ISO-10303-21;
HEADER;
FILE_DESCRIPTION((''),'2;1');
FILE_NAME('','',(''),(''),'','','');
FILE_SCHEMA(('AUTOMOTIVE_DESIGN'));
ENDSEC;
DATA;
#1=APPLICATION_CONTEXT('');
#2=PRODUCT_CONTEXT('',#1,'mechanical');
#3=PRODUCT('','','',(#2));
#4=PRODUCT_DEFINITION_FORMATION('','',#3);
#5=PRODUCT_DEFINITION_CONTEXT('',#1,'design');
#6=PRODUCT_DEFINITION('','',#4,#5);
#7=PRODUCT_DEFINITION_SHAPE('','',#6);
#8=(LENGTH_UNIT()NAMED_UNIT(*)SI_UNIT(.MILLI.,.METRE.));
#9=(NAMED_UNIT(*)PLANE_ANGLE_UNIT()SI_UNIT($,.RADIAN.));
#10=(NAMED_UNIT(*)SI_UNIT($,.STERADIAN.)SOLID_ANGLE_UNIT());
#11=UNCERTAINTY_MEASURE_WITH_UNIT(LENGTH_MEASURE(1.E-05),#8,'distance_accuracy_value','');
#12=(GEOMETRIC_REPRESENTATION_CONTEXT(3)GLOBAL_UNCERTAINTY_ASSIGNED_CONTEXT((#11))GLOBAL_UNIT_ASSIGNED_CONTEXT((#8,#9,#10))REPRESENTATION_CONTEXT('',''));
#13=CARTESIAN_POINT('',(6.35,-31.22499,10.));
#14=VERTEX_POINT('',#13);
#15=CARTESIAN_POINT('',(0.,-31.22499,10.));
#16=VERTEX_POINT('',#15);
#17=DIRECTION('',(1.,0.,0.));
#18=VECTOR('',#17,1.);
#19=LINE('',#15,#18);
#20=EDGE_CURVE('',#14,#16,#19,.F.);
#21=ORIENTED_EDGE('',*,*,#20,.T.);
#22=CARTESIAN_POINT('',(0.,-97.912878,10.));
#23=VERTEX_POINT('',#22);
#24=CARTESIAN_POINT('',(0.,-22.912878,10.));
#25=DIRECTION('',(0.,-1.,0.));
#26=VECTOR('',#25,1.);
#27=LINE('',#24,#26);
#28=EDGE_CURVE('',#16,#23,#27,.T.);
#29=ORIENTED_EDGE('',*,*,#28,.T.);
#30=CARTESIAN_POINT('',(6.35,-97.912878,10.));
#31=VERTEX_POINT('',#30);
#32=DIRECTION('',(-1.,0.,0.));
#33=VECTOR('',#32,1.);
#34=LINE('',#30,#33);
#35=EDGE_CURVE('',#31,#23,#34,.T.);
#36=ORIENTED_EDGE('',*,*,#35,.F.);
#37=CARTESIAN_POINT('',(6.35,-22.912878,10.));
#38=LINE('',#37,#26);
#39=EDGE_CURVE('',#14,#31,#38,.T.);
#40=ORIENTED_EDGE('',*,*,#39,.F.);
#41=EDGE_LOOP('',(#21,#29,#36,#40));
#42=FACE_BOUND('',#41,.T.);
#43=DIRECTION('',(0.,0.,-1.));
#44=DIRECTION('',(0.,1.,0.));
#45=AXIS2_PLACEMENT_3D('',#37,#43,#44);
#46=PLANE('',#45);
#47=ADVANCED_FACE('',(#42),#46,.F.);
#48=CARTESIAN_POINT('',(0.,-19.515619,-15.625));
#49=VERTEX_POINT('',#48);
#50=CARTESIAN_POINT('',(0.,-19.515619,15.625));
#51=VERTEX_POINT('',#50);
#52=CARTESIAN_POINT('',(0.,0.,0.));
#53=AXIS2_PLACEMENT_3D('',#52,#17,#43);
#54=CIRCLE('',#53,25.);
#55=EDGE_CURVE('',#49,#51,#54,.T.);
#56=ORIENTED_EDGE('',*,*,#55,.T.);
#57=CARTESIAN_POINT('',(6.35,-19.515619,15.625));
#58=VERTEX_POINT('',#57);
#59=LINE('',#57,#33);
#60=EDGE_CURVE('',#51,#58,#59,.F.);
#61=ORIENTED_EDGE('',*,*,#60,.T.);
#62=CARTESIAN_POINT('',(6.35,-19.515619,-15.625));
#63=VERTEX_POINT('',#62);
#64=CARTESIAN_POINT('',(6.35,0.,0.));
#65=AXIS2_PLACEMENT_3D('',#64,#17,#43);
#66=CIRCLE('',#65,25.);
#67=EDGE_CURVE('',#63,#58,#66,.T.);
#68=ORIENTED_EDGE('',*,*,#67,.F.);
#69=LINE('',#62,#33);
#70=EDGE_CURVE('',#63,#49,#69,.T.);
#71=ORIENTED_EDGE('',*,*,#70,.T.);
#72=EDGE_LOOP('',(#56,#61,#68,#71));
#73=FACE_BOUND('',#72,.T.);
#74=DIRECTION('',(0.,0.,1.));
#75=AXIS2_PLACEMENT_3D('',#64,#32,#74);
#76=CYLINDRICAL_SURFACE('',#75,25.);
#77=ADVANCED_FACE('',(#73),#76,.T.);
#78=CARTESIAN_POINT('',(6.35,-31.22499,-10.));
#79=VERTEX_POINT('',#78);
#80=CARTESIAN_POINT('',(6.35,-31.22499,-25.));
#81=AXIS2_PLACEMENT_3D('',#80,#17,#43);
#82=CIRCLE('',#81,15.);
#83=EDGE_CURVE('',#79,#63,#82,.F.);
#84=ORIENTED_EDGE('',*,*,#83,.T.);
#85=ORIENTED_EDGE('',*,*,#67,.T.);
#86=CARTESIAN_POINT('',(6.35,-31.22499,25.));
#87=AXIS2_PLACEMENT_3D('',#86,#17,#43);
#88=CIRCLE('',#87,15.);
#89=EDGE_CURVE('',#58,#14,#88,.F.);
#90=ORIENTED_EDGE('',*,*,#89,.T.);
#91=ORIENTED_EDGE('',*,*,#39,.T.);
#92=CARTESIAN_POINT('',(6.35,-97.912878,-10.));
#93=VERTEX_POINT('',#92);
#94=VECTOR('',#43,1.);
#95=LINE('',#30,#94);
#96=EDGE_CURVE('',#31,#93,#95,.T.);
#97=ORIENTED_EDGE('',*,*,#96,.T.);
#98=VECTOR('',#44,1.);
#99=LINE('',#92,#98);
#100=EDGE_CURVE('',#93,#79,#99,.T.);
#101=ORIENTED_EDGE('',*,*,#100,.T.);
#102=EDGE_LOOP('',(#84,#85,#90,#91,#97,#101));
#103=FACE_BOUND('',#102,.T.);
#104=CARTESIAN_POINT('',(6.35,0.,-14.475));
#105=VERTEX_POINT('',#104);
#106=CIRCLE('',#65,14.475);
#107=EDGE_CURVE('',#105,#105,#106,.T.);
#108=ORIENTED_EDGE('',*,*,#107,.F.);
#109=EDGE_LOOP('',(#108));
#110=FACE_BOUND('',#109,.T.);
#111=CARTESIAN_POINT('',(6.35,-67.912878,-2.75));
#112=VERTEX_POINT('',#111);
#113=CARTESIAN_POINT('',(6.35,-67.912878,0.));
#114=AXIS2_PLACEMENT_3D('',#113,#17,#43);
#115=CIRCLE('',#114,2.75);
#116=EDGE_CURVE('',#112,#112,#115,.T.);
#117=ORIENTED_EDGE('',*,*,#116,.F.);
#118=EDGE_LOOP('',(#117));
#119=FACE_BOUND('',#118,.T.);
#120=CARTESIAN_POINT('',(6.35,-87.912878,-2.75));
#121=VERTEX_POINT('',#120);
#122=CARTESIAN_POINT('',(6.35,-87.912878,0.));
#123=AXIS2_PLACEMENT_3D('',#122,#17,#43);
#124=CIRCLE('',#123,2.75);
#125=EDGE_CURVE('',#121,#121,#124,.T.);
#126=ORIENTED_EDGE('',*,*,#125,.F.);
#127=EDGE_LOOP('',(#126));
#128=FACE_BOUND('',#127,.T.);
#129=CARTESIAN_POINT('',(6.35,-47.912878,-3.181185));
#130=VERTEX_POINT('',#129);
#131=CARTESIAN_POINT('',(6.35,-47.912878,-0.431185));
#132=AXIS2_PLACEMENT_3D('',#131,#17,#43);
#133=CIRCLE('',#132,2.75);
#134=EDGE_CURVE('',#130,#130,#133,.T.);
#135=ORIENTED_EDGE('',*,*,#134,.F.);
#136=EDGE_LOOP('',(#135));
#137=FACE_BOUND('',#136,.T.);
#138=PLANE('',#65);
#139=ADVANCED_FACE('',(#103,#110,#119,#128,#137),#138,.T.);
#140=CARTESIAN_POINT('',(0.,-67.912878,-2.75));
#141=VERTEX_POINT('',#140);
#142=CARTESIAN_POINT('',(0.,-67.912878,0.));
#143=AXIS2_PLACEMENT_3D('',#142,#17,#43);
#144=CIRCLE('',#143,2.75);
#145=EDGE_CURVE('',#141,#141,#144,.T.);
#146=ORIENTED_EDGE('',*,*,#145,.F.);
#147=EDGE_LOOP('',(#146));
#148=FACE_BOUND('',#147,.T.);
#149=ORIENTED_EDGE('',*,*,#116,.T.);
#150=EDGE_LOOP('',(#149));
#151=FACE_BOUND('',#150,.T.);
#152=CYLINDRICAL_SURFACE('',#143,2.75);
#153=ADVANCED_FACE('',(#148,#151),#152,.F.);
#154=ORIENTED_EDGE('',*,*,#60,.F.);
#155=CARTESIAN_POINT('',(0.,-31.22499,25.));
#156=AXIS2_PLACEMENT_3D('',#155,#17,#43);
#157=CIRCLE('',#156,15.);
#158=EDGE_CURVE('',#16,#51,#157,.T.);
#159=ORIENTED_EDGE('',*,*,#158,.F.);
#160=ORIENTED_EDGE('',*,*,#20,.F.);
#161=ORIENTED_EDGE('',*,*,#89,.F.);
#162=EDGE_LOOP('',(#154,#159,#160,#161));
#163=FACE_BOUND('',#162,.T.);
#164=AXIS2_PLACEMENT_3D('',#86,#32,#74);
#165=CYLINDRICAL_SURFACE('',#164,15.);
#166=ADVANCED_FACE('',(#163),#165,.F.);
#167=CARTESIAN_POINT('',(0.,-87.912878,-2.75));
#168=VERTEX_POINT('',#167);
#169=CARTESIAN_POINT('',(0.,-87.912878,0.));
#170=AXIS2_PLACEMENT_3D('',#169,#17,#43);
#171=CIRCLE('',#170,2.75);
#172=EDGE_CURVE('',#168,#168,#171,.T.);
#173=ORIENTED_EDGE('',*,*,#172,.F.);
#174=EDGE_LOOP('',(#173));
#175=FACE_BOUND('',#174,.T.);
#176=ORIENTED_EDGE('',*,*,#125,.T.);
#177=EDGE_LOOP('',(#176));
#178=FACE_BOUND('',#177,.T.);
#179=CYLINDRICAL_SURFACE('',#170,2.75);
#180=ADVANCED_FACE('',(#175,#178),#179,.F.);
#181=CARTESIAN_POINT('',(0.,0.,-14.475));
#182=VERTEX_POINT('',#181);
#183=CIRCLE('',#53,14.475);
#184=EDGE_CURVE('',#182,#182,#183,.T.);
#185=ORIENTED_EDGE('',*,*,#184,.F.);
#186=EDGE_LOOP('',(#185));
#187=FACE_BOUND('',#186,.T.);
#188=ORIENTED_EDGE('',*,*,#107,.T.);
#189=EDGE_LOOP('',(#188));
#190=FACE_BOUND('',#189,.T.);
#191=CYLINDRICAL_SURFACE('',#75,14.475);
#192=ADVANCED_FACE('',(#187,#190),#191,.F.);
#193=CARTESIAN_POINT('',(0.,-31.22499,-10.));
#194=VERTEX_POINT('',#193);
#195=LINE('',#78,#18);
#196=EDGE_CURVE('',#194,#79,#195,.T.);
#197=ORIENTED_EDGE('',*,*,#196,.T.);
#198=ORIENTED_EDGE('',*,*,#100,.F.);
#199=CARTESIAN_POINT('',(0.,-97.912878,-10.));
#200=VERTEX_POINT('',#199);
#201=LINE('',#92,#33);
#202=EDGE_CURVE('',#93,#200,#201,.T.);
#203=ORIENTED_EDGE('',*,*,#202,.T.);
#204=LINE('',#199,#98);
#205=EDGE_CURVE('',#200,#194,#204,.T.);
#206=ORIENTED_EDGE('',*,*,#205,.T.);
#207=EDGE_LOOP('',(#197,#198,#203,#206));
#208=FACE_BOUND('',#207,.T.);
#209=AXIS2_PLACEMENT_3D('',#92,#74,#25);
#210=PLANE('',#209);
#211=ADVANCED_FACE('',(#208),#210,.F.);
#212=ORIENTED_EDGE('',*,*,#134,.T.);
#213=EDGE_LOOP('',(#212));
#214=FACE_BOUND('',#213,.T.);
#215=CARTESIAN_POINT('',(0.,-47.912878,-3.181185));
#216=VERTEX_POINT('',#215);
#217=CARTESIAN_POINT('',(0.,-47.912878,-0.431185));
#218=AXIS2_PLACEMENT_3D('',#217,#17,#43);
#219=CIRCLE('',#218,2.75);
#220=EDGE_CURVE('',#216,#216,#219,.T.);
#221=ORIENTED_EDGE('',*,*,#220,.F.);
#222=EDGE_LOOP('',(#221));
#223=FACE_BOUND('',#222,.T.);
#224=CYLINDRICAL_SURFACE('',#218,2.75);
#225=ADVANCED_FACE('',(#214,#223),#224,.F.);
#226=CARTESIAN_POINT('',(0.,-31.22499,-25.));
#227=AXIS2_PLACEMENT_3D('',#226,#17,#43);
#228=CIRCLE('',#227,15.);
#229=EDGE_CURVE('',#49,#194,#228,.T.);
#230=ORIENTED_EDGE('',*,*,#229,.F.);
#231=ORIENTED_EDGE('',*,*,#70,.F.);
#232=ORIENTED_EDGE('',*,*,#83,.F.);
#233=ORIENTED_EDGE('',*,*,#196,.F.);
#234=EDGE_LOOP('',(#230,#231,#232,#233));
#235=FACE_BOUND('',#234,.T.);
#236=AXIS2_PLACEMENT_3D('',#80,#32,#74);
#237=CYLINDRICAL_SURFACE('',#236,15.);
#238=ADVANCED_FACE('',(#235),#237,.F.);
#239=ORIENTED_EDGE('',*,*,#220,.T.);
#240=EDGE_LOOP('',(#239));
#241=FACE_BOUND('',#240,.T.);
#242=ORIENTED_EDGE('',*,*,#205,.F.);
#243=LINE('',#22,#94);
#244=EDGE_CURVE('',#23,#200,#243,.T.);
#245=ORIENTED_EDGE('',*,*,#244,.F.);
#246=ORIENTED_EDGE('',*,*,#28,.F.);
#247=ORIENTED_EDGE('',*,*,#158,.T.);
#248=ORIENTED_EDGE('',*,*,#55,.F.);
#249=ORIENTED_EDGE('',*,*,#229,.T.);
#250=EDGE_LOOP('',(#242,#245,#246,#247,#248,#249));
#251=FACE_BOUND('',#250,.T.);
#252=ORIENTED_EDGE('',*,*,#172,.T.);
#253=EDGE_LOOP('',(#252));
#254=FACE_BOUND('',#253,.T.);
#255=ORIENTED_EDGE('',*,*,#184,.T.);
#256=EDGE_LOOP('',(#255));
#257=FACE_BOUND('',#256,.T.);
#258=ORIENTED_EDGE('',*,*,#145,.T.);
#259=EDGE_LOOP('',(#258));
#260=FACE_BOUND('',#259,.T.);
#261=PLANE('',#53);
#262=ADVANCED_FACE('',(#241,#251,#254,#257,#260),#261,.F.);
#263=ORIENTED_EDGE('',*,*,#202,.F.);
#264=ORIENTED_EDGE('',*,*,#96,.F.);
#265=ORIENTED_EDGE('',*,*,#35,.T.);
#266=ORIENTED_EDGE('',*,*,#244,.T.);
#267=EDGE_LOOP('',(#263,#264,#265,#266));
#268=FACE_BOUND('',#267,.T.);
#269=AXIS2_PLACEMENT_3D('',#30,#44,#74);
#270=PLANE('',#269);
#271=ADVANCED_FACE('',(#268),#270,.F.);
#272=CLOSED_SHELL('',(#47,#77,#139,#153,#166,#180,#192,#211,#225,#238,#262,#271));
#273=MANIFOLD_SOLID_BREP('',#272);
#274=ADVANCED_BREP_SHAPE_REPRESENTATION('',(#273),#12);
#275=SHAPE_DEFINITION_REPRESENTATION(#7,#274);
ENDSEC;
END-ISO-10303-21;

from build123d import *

# Parameters (mm, degrees)
SKETCH1_R           = 14.475
BOSS_EXTRUDE1_DEPTH = 6.35
SKETCH2_R           = 2.75
CUT_EXTRUDE1_DEPTH  = 7.35
FILLET1_R           = 15


with BuildPart() as part:
    # Sketch1 → Boss-Extrude1 (new body)
    with BuildSketch(Plane(origin=(0, 0, 0), x_dir=(0, 0, -1), z_dir=(1, 0, 0))):
        with BuildLine():
            Line((-10, -22.912878475), (-10, -97.912878475))
            Line((-10, -97.912878475), (10, -97.912878475))
            Line((10, -97.912878475), (10, -22.912878475))
            ThreePointArc((10, -22.912878475), (0, 25), (-10, -22.912878475))
        make_face()
        Circle(SKETCH1_R, mode=Mode.SUBTRACT)
    extrude(amount=BOSS_EXTRUDE1_DEPTH)

    # Sketch2 → Cut-Extrude1 (cut, through all)
    with BuildSketch(Plane(origin=(6.35, 0, 0), x_dir=(0, 0, -1), z_dir=(1, 0, 0))):
        with Locations((0, -87.912878475)):
            Circle(SKETCH2_R)
        with Locations((0, -67.912878475)):
            Circle(SKETCH2_R)
        with Locations((0.431184648, -47.912878475)):
            Circle(SKETCH2_R)
    extrude(amount=-CUT_EXTRUDE1_DEPTH, mode=Mode.SUBTRACT)

    # Fillet1
    fillet1_edges = [part.edges().sort_by_distance(p)[0] for p in [
        (3.175, -22.912878475, 10),
        (3.175, -22.912878475, -10),
    ]]
    fillet(fillet1_edges, radius=FILLET1_R)


solid = part.part
